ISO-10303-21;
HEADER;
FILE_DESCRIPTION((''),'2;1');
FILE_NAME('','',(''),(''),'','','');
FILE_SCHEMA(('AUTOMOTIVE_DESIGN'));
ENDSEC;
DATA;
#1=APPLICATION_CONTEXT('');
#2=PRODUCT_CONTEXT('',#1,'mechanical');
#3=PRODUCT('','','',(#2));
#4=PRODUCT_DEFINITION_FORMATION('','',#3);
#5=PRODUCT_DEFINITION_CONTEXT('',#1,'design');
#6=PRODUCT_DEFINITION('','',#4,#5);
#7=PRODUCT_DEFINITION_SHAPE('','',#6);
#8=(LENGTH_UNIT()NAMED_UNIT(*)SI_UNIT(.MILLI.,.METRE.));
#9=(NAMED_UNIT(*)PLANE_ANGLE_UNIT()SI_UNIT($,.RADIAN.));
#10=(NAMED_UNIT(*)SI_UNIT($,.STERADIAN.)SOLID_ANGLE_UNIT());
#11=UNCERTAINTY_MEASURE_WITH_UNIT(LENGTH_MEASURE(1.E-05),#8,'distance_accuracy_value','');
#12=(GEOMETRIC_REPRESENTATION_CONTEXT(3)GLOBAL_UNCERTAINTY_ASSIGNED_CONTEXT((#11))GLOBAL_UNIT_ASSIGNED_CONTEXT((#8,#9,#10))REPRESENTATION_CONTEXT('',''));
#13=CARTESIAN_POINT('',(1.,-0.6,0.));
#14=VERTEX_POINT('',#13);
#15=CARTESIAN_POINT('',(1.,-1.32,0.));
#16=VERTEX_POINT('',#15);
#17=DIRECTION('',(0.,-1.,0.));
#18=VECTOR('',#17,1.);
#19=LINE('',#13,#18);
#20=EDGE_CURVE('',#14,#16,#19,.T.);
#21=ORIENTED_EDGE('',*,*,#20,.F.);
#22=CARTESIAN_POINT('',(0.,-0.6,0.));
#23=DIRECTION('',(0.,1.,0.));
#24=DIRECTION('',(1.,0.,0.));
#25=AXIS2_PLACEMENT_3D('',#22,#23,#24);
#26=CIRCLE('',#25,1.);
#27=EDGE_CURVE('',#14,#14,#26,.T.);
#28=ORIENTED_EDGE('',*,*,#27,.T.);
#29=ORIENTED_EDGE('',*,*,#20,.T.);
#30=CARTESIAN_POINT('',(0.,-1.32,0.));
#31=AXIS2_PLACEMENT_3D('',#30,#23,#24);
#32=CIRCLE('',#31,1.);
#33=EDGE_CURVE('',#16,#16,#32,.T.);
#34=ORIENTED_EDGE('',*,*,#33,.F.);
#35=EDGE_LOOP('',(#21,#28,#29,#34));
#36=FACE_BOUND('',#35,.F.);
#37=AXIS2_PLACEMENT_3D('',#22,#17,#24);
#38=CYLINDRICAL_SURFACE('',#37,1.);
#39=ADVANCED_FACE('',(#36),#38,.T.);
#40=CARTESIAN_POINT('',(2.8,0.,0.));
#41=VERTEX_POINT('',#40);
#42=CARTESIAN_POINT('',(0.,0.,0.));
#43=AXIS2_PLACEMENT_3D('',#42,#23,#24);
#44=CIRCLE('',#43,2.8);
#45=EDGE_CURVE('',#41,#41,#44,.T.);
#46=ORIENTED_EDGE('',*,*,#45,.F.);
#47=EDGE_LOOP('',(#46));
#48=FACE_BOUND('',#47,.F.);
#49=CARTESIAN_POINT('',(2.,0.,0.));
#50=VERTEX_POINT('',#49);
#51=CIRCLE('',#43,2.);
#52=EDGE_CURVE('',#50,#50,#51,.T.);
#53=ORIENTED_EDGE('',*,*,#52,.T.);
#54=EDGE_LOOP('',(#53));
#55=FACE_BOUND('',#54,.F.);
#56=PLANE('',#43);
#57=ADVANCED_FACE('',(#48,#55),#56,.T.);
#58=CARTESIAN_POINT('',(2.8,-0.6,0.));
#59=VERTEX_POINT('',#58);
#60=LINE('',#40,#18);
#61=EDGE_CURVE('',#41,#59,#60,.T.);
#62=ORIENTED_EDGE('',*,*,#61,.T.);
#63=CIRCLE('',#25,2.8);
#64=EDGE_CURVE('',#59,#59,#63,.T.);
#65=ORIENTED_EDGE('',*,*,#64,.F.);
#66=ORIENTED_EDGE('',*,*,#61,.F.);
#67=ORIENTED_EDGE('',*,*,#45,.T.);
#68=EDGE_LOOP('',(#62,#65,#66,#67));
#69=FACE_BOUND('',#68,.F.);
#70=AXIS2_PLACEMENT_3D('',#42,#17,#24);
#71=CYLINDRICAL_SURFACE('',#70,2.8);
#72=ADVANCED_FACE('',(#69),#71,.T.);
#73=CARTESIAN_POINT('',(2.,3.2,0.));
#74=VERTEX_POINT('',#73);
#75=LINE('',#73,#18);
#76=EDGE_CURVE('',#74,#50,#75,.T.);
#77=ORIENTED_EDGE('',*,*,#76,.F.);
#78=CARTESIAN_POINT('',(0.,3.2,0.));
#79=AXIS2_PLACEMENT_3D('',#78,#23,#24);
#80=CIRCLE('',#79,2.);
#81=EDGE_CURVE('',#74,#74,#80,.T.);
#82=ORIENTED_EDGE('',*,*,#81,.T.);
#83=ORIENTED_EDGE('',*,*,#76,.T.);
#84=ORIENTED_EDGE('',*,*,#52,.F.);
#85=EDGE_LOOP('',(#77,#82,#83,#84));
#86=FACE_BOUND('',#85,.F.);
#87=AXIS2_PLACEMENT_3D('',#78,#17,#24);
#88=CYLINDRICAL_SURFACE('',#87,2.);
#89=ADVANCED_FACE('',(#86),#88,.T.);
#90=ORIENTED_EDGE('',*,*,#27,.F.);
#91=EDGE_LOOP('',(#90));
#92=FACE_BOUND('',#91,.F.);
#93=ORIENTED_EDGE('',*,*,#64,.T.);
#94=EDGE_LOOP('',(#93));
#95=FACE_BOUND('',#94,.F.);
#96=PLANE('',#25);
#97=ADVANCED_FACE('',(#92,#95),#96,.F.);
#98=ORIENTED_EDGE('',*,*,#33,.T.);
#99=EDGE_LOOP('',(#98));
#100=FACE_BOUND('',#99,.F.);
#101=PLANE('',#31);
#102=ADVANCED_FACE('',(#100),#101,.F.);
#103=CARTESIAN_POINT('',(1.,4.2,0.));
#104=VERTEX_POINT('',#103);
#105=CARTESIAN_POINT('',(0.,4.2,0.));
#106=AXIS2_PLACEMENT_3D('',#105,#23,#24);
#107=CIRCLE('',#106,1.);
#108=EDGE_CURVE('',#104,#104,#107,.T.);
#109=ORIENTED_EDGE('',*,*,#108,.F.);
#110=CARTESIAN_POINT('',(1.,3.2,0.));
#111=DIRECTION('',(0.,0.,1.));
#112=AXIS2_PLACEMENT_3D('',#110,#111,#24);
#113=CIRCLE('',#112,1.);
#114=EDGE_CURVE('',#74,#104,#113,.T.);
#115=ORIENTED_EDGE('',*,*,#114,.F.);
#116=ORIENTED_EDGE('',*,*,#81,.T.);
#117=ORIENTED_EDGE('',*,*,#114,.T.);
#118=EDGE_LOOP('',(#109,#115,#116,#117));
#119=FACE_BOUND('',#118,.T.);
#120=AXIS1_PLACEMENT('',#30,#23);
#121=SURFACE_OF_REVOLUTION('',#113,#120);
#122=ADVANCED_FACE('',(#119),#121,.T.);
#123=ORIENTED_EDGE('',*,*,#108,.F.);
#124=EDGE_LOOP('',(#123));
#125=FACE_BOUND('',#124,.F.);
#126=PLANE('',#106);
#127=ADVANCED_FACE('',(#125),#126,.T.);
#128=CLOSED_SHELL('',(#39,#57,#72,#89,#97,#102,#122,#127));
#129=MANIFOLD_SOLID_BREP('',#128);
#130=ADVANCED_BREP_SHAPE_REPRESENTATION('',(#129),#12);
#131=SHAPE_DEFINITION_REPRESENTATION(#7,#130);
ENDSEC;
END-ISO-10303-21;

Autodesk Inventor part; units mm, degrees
ref_plane "YZ Plane" through (0, 0, 0) normal (1, 0, 0) x (0, 1, 0)
ref_plane "XZ Plane" through (0, 0, 0) normal (0, 1, 0) x (-1, 0, 0)
ref_plane "XY Plane" through (0, 0, 0) normal (0, 0, 1) x (1, 0, 0)
sketch "Sketch2" plane through (0, 0, 0) normal (0, 0, 1) x (1, 0, 0)
  line L0 (2, 0) -> (2.8, 0)
  line L1 (2.8, 0) -> (2.8, -0.6)
  line L2 (2.8, -0.6) -> (1, -0.6)
  line L3 (1, -0.6) -> (1, -1.32)
  line L4 (1, -1.32) -> (0, -1.32)
  line L5 (0, -1.32) -> (0, 4.2)
  line L6 (0, 4.2) -> (1, 4.2)
  arc A0 (2, 3.2) -> (1, 4.2) centre (1, 3.2) ccw
  line L7 (2, 3.2) -> (2, 0)
  point P0 (0, 0)
  dimension "d0" = 2
  dimension "d1" = 0.72
  dimension "d2" = 5.6
  dimension "d3" = 0.6
  dimension "d4" = 4
  dimension "d5" = 4.2
  dimension "d6" = 1
revolve "Revolution1" add sketch "Sketch2" angle 360 about axis through (0, -1.32, 0) along (0, 1, 0)
properties part number "56554-ElectricAlloy" material "Steel"
